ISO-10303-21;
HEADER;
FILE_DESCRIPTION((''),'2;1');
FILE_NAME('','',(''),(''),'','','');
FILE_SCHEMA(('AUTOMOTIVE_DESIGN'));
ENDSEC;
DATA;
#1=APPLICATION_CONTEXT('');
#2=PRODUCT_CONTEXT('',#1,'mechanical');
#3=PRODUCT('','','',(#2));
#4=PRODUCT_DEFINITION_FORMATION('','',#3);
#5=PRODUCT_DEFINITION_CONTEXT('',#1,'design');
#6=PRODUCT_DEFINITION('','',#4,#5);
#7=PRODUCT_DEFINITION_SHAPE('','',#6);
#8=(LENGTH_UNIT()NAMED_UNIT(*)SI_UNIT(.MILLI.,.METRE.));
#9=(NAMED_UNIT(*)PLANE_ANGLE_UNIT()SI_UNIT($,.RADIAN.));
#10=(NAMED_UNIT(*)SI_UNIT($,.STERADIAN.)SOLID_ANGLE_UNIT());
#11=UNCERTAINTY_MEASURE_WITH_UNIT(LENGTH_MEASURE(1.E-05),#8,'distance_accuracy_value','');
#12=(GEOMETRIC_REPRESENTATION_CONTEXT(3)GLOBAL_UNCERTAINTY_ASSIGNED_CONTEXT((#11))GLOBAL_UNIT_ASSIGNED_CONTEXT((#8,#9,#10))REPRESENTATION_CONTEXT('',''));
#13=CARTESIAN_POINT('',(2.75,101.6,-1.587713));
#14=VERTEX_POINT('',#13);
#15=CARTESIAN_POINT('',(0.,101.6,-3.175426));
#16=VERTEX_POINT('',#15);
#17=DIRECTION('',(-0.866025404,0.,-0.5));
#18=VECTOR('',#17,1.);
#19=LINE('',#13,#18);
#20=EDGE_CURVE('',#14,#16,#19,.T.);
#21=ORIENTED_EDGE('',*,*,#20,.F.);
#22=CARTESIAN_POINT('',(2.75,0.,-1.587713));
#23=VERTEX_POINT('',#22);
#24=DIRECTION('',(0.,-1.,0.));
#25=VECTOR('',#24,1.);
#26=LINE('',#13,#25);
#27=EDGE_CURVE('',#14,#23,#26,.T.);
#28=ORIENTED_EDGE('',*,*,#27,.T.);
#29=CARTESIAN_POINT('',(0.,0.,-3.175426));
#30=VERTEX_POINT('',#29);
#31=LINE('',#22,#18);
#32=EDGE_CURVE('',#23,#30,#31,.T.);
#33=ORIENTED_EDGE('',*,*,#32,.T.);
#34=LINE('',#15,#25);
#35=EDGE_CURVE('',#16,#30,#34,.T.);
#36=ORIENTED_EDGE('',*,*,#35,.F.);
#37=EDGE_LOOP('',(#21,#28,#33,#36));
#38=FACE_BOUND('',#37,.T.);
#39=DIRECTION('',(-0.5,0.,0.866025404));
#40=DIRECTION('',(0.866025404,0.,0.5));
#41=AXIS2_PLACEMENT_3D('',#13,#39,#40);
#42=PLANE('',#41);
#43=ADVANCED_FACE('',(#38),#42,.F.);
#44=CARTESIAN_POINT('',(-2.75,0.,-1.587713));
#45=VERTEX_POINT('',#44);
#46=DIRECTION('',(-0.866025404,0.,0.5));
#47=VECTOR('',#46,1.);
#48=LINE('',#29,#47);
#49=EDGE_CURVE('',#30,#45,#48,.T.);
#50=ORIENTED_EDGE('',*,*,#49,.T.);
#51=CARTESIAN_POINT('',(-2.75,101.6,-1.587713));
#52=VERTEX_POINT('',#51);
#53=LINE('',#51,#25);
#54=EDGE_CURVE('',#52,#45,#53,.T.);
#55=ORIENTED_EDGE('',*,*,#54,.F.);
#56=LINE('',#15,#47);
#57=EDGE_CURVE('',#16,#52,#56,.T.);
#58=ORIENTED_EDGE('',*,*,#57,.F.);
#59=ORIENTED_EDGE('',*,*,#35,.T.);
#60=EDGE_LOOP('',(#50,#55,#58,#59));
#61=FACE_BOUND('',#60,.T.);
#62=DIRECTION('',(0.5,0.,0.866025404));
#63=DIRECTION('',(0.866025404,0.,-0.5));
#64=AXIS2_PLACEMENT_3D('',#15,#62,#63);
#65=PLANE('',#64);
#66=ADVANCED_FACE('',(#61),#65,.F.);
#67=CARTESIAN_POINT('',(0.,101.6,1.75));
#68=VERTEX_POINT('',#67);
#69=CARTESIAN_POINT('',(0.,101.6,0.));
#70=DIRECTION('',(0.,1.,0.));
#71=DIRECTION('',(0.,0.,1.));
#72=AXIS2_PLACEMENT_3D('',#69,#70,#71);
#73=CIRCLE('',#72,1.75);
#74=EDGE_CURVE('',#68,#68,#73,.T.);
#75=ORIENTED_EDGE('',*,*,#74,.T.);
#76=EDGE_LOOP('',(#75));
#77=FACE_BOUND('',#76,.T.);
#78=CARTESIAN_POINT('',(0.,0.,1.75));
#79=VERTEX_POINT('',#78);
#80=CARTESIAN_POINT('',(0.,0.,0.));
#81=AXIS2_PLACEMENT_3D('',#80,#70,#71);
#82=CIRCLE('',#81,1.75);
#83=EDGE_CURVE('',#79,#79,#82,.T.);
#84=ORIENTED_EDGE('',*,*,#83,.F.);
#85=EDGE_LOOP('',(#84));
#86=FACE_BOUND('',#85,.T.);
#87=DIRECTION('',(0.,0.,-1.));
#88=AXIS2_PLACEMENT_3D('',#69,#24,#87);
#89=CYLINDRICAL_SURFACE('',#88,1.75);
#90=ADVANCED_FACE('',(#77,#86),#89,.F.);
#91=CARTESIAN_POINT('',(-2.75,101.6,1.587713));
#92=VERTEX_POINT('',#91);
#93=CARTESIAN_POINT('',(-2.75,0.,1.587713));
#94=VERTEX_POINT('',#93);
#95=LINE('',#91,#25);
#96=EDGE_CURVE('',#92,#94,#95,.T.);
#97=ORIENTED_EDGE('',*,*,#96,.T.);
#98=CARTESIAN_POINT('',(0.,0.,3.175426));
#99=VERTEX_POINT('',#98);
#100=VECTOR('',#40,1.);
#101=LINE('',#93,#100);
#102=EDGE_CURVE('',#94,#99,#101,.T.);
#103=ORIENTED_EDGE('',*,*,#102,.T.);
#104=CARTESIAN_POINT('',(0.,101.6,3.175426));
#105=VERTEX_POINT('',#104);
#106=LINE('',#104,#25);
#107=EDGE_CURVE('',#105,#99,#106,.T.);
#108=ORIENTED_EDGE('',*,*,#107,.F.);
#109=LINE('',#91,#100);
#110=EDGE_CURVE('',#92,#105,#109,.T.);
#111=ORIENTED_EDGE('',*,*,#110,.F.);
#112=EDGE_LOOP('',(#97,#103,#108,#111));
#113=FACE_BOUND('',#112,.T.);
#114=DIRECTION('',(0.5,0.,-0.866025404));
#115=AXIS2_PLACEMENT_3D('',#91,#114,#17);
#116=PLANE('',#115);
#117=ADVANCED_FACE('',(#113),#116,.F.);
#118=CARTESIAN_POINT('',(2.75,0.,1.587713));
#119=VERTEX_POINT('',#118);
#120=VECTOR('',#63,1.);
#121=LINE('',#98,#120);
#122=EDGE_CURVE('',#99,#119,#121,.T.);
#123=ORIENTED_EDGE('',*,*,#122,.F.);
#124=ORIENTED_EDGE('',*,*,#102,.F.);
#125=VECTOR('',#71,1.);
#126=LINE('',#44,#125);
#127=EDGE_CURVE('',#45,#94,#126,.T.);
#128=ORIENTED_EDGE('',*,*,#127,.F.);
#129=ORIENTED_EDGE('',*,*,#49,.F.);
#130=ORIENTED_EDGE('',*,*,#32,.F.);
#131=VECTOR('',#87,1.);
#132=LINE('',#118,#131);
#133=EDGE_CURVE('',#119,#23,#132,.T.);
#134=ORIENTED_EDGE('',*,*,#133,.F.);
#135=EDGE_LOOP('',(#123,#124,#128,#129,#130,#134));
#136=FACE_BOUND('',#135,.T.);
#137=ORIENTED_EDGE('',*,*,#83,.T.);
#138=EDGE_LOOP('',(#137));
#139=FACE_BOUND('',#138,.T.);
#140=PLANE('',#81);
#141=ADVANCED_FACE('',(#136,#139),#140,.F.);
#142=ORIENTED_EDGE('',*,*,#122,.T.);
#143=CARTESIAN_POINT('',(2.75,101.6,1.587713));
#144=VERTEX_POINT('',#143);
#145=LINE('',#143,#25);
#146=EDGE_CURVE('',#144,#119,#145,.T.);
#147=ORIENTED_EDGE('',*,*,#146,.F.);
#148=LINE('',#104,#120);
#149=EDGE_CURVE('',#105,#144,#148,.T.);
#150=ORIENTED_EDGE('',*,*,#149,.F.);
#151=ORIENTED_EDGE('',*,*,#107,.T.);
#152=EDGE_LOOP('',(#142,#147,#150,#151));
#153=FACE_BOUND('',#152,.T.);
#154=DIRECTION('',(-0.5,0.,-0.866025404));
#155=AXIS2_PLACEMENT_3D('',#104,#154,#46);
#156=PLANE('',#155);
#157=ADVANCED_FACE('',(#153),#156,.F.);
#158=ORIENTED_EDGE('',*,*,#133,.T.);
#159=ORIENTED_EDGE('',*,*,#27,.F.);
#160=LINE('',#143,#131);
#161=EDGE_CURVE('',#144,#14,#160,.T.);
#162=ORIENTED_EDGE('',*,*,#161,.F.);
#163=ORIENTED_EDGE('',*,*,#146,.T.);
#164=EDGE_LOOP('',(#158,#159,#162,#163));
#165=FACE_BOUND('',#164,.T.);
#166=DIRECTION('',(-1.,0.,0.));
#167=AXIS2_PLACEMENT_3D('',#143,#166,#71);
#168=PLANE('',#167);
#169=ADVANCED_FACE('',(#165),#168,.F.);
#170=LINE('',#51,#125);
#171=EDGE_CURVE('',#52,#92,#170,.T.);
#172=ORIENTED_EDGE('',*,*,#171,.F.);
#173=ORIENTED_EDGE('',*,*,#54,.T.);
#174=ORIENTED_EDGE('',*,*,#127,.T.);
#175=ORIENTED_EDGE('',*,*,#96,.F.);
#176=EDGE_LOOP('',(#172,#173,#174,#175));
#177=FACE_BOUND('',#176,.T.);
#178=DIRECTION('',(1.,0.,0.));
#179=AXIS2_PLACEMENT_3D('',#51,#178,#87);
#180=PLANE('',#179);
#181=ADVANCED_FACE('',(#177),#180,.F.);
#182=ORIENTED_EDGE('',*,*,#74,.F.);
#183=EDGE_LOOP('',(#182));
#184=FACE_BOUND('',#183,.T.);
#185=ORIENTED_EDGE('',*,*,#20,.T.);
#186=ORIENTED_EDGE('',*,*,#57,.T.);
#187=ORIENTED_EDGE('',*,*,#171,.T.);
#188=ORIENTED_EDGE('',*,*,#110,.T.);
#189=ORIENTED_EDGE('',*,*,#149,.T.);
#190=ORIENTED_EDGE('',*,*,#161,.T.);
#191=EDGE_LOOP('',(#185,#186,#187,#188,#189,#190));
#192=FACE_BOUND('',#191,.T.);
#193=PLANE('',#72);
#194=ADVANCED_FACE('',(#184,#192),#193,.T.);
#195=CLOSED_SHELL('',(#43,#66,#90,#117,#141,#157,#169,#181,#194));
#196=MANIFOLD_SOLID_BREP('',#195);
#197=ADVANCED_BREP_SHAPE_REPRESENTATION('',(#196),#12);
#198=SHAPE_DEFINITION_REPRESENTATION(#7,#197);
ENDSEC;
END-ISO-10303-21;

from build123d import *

# Parameters (mm, degrees)
SKETCH1_R           = 1.75
BOSS_EXTRUDE1_DEPTH = 101.6


with BuildPart() as part:
    # Sketch1 → Boss-Extrude1 (new body)
    with BuildSketch(Plane(origin=(0, 0, 0), x_dir=(1, 0, 0), z_dir=(0, 1, 0))):
        Polygon((2.75, -1.58771324), (2.75, 1.58771324), (0, 3.175426481), (-2.75, 1.58771324), (-2.75, -1.58771324), (0, -3.175426481), align=None)
        Circle(SKETCH1_R, mode=Mode.SUBTRACT)
    extrude(amount=BOSS_EXTRUDE1_DEPTH)


solid = part.part
